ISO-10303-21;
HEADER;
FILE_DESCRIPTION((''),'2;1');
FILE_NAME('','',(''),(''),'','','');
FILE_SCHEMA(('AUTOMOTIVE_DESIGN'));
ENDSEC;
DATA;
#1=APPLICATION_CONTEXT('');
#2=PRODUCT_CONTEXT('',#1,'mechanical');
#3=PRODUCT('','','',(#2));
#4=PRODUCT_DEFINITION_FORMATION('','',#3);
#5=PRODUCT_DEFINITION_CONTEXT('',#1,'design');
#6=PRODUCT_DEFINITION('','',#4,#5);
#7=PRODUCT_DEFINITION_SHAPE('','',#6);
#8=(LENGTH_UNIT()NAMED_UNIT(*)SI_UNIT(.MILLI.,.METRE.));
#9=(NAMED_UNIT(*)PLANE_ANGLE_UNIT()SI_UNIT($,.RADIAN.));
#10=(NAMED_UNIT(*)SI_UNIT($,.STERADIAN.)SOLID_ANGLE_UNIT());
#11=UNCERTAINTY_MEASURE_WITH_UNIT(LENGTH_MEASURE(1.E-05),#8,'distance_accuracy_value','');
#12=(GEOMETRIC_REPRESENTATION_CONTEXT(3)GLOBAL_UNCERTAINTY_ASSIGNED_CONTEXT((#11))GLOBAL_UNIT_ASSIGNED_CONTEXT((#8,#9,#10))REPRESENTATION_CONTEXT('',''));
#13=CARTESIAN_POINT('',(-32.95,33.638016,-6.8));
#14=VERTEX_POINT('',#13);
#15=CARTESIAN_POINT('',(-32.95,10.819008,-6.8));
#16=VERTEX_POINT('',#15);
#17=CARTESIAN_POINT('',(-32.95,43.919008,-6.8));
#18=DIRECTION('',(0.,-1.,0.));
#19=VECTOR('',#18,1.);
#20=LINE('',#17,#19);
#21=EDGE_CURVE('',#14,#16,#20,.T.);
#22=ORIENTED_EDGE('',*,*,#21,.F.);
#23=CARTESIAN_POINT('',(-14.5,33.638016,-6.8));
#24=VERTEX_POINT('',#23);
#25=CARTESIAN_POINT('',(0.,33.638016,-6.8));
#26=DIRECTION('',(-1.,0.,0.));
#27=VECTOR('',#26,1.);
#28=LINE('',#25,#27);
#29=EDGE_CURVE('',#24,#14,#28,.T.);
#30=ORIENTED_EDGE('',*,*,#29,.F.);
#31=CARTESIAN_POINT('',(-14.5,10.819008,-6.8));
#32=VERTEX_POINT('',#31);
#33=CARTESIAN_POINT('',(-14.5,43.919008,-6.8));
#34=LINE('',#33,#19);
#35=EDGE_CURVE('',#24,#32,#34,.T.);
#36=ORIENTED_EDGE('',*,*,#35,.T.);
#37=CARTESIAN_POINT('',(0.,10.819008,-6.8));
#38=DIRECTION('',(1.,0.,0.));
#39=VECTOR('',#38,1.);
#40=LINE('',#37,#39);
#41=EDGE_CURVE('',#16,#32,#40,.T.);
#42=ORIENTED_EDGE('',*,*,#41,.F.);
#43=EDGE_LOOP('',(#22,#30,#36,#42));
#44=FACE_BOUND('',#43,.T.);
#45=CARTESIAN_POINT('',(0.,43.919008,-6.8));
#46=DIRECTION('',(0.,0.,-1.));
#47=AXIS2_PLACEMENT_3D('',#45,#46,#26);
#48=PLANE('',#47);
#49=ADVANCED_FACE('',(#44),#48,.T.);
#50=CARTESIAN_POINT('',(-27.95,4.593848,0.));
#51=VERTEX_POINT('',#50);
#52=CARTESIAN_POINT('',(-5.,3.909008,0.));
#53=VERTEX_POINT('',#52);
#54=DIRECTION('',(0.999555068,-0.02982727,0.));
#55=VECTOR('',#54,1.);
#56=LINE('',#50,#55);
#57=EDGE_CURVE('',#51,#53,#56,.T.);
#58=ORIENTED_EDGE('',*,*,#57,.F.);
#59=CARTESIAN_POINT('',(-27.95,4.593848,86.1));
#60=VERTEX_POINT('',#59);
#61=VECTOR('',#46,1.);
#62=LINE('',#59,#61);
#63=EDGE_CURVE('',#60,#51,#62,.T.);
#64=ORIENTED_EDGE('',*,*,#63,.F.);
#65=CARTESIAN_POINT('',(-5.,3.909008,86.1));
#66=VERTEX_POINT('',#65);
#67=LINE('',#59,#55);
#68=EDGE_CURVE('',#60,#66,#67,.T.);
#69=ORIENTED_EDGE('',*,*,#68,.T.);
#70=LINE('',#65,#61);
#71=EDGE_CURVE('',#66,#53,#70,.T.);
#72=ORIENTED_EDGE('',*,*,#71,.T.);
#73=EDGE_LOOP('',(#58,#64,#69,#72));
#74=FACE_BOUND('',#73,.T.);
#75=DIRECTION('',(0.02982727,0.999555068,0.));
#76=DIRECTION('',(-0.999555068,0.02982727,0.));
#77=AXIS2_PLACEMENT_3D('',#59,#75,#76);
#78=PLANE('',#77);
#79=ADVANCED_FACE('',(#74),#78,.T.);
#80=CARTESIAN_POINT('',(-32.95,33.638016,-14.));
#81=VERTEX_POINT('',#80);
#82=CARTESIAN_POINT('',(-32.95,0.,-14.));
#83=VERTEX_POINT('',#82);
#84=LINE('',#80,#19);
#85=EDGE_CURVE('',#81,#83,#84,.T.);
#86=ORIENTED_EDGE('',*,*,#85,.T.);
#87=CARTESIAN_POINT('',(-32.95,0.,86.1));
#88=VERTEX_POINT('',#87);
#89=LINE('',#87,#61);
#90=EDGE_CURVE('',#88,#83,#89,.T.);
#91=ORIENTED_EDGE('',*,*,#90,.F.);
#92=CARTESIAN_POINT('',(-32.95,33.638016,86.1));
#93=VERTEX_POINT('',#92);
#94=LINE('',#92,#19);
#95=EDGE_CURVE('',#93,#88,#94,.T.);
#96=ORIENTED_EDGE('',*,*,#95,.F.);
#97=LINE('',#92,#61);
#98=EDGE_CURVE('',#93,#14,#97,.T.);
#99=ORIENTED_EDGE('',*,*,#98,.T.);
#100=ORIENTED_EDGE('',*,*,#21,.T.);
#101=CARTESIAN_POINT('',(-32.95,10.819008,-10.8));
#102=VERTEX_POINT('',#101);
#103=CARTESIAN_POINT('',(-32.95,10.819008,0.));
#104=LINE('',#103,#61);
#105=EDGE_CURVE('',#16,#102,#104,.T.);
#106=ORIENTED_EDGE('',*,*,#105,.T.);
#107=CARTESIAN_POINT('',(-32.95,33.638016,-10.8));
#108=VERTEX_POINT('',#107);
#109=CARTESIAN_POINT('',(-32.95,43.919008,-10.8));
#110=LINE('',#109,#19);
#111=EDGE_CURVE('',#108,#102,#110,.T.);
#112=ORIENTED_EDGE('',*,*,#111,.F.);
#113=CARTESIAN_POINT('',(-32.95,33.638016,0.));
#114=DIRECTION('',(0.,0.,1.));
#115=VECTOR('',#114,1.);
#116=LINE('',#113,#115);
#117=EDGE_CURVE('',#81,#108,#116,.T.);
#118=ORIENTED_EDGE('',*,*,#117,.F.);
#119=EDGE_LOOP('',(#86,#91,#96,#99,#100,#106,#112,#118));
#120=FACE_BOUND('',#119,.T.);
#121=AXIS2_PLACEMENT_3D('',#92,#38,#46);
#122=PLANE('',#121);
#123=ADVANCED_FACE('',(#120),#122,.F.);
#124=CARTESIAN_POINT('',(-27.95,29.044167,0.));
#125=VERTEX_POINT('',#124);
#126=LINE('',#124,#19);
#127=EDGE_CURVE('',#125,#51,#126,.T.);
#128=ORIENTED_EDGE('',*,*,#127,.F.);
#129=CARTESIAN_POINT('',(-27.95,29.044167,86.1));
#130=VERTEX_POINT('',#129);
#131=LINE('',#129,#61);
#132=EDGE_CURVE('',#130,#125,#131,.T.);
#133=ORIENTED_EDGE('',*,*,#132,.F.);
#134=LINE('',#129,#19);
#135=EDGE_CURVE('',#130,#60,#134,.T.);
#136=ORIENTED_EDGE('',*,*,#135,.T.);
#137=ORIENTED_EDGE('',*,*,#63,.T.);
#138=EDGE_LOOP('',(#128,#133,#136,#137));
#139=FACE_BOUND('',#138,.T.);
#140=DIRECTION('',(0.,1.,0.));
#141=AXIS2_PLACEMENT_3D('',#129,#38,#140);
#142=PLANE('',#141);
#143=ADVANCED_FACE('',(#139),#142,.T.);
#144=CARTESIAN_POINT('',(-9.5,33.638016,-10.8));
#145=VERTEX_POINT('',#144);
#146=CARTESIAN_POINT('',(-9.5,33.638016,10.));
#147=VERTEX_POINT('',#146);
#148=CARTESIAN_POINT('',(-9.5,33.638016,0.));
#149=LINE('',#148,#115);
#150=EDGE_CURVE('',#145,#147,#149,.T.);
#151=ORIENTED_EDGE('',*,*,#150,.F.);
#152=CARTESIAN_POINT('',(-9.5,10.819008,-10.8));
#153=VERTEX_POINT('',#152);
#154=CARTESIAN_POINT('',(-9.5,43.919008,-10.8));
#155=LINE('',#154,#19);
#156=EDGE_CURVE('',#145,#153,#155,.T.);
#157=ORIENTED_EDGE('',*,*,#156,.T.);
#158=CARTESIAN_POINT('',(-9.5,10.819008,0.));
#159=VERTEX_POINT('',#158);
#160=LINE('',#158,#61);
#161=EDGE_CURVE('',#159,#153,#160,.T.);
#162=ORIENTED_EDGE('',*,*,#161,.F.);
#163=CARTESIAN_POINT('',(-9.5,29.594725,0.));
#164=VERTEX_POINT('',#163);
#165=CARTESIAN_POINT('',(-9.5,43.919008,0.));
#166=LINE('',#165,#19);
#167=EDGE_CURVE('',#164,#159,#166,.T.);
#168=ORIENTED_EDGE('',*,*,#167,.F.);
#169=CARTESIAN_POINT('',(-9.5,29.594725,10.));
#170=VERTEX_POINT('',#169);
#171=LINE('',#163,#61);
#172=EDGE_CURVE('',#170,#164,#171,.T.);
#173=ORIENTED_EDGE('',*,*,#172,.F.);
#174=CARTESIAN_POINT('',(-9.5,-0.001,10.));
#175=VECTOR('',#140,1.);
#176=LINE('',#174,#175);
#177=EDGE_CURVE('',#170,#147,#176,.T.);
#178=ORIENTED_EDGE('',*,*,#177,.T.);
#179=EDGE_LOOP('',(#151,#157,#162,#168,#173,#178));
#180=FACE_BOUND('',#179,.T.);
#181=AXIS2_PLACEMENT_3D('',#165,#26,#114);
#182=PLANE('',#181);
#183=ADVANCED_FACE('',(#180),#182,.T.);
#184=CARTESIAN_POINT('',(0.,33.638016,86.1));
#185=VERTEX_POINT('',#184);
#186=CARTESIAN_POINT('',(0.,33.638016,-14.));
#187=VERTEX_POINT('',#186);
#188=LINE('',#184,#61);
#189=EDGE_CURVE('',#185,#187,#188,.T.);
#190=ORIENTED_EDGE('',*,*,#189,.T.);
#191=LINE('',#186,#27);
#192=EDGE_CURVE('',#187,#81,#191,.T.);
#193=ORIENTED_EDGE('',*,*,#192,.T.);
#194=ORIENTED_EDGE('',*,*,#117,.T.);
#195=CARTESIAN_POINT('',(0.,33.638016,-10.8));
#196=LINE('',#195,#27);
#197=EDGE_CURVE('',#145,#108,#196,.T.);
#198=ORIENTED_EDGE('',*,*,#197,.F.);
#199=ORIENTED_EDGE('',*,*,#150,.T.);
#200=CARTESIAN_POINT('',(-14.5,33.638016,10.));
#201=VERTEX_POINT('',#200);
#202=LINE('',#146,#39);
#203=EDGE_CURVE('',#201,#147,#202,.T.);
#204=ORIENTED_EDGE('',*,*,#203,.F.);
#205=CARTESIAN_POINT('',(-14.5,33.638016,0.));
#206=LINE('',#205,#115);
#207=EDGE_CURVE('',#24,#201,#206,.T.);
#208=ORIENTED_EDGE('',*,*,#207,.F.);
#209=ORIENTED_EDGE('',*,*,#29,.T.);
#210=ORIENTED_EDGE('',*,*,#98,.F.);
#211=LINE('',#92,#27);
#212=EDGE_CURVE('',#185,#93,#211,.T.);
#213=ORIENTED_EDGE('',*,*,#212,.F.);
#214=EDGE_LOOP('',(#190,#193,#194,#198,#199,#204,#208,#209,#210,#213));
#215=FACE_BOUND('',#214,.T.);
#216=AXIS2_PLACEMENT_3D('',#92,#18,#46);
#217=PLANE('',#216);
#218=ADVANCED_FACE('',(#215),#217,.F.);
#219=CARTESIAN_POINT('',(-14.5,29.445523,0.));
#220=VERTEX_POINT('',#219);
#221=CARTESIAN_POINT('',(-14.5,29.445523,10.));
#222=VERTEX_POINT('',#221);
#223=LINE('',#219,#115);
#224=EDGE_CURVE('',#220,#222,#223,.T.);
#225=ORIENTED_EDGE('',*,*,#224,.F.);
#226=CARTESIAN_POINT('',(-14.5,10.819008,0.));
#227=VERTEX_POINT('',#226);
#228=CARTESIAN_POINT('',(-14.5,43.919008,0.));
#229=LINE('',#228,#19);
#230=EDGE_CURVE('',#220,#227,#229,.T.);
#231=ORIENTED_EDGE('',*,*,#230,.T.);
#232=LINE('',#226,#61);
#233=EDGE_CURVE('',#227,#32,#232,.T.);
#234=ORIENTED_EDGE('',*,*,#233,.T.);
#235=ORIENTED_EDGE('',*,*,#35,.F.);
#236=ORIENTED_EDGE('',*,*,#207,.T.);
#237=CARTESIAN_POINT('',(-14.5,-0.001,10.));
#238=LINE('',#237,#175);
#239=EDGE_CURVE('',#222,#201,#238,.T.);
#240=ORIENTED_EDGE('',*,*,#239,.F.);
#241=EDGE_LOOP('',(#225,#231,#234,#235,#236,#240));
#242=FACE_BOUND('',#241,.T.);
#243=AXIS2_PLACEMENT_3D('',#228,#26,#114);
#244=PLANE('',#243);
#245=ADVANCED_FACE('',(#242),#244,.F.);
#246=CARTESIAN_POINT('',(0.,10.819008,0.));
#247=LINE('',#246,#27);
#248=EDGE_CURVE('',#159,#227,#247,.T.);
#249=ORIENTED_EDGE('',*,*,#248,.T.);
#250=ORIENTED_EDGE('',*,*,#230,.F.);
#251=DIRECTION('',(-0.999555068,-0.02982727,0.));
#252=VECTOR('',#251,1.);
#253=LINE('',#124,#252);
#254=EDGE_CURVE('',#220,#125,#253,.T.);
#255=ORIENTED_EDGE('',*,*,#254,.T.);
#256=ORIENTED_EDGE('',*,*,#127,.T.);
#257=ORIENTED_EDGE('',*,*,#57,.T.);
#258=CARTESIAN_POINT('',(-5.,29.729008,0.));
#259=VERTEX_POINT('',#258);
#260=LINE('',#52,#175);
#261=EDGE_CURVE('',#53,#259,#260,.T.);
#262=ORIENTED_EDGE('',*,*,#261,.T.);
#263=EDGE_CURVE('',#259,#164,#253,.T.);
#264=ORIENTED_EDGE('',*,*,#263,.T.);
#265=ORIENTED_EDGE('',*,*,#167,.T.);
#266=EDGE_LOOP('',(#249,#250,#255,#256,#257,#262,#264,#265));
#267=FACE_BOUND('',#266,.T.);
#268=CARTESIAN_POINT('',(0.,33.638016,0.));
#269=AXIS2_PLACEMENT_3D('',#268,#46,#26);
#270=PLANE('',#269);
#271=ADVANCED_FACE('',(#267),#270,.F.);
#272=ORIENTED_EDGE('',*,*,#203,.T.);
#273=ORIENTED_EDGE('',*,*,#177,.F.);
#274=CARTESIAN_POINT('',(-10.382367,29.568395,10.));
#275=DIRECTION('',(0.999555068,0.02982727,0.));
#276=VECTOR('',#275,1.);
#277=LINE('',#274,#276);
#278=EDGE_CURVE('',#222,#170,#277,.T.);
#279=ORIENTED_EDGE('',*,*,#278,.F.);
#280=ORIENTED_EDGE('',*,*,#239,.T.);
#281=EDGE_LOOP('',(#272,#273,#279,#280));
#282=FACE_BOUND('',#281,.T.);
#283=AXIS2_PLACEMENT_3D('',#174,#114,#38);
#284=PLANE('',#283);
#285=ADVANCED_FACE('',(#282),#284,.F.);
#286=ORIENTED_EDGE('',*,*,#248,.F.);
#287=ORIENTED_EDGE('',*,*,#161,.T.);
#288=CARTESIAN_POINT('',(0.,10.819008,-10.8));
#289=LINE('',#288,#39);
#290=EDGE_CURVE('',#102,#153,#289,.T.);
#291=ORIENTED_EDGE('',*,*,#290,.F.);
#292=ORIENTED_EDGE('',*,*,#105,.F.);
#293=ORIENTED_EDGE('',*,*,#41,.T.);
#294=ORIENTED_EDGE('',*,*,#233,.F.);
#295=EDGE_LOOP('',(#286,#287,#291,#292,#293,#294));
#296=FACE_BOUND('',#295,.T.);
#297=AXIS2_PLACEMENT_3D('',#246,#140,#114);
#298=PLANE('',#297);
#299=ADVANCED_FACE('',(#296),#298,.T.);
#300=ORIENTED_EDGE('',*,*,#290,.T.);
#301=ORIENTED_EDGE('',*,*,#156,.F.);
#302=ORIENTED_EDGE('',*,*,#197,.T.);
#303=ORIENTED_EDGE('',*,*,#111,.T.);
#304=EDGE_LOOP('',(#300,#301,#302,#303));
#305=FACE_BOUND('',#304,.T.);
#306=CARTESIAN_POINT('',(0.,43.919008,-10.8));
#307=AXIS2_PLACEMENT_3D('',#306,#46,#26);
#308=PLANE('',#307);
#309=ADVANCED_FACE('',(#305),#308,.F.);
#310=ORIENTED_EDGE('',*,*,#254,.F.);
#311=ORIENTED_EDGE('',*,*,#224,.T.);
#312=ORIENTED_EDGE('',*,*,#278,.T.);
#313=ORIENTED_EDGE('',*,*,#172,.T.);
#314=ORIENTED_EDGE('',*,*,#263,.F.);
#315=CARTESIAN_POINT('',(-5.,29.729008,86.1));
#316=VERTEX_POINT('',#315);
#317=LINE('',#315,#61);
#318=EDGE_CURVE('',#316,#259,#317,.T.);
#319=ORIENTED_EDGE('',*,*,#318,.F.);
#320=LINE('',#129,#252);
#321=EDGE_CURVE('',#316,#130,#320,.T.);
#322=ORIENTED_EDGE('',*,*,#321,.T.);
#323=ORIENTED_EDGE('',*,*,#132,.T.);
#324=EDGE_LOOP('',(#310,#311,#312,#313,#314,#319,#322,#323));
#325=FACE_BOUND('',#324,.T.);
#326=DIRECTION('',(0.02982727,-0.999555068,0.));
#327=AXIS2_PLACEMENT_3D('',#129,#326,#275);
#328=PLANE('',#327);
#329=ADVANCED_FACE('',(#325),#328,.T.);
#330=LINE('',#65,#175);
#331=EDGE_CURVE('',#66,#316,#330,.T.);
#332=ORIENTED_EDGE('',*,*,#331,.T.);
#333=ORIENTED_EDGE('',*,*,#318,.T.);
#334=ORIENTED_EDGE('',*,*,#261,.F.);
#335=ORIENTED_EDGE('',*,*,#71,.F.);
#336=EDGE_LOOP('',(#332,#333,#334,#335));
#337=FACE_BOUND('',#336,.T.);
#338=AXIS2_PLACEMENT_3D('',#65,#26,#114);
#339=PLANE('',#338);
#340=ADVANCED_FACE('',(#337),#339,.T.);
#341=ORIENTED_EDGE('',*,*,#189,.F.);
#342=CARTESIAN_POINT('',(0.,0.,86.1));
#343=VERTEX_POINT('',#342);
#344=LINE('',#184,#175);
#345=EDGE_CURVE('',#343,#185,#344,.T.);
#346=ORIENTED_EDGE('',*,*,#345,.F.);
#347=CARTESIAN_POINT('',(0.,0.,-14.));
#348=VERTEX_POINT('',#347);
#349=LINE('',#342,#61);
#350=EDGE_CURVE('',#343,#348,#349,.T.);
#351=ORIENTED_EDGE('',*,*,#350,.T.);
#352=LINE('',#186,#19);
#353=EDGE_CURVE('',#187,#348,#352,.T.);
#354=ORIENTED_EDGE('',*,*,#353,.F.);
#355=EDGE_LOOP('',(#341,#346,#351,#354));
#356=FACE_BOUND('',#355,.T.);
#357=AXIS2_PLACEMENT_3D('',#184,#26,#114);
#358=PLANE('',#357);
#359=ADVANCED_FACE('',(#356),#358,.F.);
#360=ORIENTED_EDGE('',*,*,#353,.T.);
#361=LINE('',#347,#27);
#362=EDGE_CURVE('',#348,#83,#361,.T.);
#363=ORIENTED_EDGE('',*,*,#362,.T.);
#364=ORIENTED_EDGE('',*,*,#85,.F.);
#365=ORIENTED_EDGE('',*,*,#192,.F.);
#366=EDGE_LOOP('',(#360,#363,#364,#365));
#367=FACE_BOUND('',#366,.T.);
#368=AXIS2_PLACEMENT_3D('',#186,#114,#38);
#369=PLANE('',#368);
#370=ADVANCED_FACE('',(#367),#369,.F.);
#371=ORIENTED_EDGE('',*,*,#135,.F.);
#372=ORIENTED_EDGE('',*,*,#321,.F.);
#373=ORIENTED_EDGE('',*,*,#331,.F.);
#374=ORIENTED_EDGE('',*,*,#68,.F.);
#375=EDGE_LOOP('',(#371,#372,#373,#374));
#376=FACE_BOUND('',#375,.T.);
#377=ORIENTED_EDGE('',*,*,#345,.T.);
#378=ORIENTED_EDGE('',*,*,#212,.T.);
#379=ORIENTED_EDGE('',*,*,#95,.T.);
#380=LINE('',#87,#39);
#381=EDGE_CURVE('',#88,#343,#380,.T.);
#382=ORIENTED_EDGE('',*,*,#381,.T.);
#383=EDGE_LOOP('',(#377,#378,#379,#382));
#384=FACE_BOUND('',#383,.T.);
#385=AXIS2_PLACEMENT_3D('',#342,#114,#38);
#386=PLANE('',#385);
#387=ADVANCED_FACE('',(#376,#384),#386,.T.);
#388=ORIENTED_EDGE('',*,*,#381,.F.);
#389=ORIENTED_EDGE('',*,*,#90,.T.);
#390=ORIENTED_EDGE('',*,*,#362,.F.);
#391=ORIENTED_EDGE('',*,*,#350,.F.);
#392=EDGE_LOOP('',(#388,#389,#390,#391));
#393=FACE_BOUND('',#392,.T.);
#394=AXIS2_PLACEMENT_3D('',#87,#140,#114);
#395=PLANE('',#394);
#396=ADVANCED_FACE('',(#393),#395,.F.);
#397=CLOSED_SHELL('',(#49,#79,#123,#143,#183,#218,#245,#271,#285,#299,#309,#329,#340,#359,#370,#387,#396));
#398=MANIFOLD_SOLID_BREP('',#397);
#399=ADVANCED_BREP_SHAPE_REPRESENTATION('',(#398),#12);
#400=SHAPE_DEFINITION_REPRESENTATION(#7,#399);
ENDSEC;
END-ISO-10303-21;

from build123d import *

# Parameters (mm, degrees)
SKETCH2_W               = 32.95
SKETCH2_H               = 33.638015847
BOSS_EXTRUDE1_DEPTH     = 86.1
SKETCH4_W               = 32.95
SKETCH4_H               = 14
BOSS_EXTRUDE3_DEPTH     = 33.63802
CUT_EXTRUDE1_DEPTH      = 27.1
CUT_EXTRUDE1_DEPTH_BACK = 6
CUT_EXTRUDE1_START      = -16.819008
SKETCH5_W               = 5
SKETCH5_H               = 6.8
CUT_EXTRUDE2_REACH      = 100.135
SKETCH6_W               = 5
SKETCH6_H               = 10


with BuildPart() as part:
    # Sketch2 → Boss-Extrude1 (new body)
    with BuildSketch(Plane.XY):
        with Locations((-16.475, 16.819007924)):
            Rectangle(SKETCH2_W, SKETCH2_H)
        Polygon((-5, 3.909007924), (-5, 29.729007924), (-27.95, 29.044167374), (-27.95, 4.593848474), align=None, mode=Mode.SUBTRACT)
    extrude(amount=BOSS_EXTRUDE1_DEPTH)


with BuildPart() as body_2:
    # Sketch4 → Boss-Extrude3 (new body)
    with BuildSketch(Plane(origin=(0, 0, 0), x_dir=(1, 0, 0), z_dir=(0, 1, 0))):
        with Locations((-16.475, 7)):
            Rectangle(SKETCH4_W, SKETCH4_H)
    extrude(amount=BOSS_EXTRUDE3_DEPTH)

    # Sketch5 → Cut-Extrude1 (cut, two sides: drawn at the far end of the back side and taken through both)
    with BuildSketch(Plane(origin=(0, 33.638015847, 0), x_dir=(1, 0, 0), z_dir=(0, 1, 0)).offset(CUT_EXTRUDE1_START - CUT_EXTRUDE1_DEPTH_BACK)):
        with Locations((-12, 3.4)):
            Rectangle(SKETCH5_W, SKETCH5_H)
        Polygon((-14.5, 6.8), (-9.5, 6.8), (-9.5, 7.05), (-9.5, 10.8), (-32.95, 10.8), (-32.95, 6.8), align=None)
    extrude(amount=CUT_EXTRUDE1_DEPTH + CUT_EXTRUDE1_DEPTH_BACK, mode=Mode.SUBTRACT)


with BuildPart() as part_1:
    add(part.part)

    # Combine1: union body 2
    add(body_2.part)

    # Cut-Extrude2: up to this plane
    cut_extrude2_end = Plane(origin=(-27.95, 29.044167374, 86.1), z_dir=(0.029827269826923603, -0.9995550680050959, 0))
    # Sketch6 → Cut-Extrude2 (cut, up to the surface)
    with BuildSketch(Plane(origin=(0, 33.638015847, 0), x_dir=(1, 0, 0), z_dir=(0, 1, 0)), mode=Mode.PRIVATE) as cut_extrude2_sk1:
        with Locations((-12, -5)):
            Rectangle(SKETCH6_W, SKETCH6_H)
    cut_extrude2_tool1 = split(extrude(cut_extrude2_sk1.sketch, amount=-CUT_EXTRUDE2_REACH, mode=Mode.PRIVATE), bisect_by=cut_extrude2_end, keep=Keep.BOTH, mode=Mode.PRIVATE)
    add(cut_extrude2_tool1.solids().sort_by_distance((-12, 33.638016, 5))[0], mode=Mode.SUBTRACT)


solid = part_1.part
